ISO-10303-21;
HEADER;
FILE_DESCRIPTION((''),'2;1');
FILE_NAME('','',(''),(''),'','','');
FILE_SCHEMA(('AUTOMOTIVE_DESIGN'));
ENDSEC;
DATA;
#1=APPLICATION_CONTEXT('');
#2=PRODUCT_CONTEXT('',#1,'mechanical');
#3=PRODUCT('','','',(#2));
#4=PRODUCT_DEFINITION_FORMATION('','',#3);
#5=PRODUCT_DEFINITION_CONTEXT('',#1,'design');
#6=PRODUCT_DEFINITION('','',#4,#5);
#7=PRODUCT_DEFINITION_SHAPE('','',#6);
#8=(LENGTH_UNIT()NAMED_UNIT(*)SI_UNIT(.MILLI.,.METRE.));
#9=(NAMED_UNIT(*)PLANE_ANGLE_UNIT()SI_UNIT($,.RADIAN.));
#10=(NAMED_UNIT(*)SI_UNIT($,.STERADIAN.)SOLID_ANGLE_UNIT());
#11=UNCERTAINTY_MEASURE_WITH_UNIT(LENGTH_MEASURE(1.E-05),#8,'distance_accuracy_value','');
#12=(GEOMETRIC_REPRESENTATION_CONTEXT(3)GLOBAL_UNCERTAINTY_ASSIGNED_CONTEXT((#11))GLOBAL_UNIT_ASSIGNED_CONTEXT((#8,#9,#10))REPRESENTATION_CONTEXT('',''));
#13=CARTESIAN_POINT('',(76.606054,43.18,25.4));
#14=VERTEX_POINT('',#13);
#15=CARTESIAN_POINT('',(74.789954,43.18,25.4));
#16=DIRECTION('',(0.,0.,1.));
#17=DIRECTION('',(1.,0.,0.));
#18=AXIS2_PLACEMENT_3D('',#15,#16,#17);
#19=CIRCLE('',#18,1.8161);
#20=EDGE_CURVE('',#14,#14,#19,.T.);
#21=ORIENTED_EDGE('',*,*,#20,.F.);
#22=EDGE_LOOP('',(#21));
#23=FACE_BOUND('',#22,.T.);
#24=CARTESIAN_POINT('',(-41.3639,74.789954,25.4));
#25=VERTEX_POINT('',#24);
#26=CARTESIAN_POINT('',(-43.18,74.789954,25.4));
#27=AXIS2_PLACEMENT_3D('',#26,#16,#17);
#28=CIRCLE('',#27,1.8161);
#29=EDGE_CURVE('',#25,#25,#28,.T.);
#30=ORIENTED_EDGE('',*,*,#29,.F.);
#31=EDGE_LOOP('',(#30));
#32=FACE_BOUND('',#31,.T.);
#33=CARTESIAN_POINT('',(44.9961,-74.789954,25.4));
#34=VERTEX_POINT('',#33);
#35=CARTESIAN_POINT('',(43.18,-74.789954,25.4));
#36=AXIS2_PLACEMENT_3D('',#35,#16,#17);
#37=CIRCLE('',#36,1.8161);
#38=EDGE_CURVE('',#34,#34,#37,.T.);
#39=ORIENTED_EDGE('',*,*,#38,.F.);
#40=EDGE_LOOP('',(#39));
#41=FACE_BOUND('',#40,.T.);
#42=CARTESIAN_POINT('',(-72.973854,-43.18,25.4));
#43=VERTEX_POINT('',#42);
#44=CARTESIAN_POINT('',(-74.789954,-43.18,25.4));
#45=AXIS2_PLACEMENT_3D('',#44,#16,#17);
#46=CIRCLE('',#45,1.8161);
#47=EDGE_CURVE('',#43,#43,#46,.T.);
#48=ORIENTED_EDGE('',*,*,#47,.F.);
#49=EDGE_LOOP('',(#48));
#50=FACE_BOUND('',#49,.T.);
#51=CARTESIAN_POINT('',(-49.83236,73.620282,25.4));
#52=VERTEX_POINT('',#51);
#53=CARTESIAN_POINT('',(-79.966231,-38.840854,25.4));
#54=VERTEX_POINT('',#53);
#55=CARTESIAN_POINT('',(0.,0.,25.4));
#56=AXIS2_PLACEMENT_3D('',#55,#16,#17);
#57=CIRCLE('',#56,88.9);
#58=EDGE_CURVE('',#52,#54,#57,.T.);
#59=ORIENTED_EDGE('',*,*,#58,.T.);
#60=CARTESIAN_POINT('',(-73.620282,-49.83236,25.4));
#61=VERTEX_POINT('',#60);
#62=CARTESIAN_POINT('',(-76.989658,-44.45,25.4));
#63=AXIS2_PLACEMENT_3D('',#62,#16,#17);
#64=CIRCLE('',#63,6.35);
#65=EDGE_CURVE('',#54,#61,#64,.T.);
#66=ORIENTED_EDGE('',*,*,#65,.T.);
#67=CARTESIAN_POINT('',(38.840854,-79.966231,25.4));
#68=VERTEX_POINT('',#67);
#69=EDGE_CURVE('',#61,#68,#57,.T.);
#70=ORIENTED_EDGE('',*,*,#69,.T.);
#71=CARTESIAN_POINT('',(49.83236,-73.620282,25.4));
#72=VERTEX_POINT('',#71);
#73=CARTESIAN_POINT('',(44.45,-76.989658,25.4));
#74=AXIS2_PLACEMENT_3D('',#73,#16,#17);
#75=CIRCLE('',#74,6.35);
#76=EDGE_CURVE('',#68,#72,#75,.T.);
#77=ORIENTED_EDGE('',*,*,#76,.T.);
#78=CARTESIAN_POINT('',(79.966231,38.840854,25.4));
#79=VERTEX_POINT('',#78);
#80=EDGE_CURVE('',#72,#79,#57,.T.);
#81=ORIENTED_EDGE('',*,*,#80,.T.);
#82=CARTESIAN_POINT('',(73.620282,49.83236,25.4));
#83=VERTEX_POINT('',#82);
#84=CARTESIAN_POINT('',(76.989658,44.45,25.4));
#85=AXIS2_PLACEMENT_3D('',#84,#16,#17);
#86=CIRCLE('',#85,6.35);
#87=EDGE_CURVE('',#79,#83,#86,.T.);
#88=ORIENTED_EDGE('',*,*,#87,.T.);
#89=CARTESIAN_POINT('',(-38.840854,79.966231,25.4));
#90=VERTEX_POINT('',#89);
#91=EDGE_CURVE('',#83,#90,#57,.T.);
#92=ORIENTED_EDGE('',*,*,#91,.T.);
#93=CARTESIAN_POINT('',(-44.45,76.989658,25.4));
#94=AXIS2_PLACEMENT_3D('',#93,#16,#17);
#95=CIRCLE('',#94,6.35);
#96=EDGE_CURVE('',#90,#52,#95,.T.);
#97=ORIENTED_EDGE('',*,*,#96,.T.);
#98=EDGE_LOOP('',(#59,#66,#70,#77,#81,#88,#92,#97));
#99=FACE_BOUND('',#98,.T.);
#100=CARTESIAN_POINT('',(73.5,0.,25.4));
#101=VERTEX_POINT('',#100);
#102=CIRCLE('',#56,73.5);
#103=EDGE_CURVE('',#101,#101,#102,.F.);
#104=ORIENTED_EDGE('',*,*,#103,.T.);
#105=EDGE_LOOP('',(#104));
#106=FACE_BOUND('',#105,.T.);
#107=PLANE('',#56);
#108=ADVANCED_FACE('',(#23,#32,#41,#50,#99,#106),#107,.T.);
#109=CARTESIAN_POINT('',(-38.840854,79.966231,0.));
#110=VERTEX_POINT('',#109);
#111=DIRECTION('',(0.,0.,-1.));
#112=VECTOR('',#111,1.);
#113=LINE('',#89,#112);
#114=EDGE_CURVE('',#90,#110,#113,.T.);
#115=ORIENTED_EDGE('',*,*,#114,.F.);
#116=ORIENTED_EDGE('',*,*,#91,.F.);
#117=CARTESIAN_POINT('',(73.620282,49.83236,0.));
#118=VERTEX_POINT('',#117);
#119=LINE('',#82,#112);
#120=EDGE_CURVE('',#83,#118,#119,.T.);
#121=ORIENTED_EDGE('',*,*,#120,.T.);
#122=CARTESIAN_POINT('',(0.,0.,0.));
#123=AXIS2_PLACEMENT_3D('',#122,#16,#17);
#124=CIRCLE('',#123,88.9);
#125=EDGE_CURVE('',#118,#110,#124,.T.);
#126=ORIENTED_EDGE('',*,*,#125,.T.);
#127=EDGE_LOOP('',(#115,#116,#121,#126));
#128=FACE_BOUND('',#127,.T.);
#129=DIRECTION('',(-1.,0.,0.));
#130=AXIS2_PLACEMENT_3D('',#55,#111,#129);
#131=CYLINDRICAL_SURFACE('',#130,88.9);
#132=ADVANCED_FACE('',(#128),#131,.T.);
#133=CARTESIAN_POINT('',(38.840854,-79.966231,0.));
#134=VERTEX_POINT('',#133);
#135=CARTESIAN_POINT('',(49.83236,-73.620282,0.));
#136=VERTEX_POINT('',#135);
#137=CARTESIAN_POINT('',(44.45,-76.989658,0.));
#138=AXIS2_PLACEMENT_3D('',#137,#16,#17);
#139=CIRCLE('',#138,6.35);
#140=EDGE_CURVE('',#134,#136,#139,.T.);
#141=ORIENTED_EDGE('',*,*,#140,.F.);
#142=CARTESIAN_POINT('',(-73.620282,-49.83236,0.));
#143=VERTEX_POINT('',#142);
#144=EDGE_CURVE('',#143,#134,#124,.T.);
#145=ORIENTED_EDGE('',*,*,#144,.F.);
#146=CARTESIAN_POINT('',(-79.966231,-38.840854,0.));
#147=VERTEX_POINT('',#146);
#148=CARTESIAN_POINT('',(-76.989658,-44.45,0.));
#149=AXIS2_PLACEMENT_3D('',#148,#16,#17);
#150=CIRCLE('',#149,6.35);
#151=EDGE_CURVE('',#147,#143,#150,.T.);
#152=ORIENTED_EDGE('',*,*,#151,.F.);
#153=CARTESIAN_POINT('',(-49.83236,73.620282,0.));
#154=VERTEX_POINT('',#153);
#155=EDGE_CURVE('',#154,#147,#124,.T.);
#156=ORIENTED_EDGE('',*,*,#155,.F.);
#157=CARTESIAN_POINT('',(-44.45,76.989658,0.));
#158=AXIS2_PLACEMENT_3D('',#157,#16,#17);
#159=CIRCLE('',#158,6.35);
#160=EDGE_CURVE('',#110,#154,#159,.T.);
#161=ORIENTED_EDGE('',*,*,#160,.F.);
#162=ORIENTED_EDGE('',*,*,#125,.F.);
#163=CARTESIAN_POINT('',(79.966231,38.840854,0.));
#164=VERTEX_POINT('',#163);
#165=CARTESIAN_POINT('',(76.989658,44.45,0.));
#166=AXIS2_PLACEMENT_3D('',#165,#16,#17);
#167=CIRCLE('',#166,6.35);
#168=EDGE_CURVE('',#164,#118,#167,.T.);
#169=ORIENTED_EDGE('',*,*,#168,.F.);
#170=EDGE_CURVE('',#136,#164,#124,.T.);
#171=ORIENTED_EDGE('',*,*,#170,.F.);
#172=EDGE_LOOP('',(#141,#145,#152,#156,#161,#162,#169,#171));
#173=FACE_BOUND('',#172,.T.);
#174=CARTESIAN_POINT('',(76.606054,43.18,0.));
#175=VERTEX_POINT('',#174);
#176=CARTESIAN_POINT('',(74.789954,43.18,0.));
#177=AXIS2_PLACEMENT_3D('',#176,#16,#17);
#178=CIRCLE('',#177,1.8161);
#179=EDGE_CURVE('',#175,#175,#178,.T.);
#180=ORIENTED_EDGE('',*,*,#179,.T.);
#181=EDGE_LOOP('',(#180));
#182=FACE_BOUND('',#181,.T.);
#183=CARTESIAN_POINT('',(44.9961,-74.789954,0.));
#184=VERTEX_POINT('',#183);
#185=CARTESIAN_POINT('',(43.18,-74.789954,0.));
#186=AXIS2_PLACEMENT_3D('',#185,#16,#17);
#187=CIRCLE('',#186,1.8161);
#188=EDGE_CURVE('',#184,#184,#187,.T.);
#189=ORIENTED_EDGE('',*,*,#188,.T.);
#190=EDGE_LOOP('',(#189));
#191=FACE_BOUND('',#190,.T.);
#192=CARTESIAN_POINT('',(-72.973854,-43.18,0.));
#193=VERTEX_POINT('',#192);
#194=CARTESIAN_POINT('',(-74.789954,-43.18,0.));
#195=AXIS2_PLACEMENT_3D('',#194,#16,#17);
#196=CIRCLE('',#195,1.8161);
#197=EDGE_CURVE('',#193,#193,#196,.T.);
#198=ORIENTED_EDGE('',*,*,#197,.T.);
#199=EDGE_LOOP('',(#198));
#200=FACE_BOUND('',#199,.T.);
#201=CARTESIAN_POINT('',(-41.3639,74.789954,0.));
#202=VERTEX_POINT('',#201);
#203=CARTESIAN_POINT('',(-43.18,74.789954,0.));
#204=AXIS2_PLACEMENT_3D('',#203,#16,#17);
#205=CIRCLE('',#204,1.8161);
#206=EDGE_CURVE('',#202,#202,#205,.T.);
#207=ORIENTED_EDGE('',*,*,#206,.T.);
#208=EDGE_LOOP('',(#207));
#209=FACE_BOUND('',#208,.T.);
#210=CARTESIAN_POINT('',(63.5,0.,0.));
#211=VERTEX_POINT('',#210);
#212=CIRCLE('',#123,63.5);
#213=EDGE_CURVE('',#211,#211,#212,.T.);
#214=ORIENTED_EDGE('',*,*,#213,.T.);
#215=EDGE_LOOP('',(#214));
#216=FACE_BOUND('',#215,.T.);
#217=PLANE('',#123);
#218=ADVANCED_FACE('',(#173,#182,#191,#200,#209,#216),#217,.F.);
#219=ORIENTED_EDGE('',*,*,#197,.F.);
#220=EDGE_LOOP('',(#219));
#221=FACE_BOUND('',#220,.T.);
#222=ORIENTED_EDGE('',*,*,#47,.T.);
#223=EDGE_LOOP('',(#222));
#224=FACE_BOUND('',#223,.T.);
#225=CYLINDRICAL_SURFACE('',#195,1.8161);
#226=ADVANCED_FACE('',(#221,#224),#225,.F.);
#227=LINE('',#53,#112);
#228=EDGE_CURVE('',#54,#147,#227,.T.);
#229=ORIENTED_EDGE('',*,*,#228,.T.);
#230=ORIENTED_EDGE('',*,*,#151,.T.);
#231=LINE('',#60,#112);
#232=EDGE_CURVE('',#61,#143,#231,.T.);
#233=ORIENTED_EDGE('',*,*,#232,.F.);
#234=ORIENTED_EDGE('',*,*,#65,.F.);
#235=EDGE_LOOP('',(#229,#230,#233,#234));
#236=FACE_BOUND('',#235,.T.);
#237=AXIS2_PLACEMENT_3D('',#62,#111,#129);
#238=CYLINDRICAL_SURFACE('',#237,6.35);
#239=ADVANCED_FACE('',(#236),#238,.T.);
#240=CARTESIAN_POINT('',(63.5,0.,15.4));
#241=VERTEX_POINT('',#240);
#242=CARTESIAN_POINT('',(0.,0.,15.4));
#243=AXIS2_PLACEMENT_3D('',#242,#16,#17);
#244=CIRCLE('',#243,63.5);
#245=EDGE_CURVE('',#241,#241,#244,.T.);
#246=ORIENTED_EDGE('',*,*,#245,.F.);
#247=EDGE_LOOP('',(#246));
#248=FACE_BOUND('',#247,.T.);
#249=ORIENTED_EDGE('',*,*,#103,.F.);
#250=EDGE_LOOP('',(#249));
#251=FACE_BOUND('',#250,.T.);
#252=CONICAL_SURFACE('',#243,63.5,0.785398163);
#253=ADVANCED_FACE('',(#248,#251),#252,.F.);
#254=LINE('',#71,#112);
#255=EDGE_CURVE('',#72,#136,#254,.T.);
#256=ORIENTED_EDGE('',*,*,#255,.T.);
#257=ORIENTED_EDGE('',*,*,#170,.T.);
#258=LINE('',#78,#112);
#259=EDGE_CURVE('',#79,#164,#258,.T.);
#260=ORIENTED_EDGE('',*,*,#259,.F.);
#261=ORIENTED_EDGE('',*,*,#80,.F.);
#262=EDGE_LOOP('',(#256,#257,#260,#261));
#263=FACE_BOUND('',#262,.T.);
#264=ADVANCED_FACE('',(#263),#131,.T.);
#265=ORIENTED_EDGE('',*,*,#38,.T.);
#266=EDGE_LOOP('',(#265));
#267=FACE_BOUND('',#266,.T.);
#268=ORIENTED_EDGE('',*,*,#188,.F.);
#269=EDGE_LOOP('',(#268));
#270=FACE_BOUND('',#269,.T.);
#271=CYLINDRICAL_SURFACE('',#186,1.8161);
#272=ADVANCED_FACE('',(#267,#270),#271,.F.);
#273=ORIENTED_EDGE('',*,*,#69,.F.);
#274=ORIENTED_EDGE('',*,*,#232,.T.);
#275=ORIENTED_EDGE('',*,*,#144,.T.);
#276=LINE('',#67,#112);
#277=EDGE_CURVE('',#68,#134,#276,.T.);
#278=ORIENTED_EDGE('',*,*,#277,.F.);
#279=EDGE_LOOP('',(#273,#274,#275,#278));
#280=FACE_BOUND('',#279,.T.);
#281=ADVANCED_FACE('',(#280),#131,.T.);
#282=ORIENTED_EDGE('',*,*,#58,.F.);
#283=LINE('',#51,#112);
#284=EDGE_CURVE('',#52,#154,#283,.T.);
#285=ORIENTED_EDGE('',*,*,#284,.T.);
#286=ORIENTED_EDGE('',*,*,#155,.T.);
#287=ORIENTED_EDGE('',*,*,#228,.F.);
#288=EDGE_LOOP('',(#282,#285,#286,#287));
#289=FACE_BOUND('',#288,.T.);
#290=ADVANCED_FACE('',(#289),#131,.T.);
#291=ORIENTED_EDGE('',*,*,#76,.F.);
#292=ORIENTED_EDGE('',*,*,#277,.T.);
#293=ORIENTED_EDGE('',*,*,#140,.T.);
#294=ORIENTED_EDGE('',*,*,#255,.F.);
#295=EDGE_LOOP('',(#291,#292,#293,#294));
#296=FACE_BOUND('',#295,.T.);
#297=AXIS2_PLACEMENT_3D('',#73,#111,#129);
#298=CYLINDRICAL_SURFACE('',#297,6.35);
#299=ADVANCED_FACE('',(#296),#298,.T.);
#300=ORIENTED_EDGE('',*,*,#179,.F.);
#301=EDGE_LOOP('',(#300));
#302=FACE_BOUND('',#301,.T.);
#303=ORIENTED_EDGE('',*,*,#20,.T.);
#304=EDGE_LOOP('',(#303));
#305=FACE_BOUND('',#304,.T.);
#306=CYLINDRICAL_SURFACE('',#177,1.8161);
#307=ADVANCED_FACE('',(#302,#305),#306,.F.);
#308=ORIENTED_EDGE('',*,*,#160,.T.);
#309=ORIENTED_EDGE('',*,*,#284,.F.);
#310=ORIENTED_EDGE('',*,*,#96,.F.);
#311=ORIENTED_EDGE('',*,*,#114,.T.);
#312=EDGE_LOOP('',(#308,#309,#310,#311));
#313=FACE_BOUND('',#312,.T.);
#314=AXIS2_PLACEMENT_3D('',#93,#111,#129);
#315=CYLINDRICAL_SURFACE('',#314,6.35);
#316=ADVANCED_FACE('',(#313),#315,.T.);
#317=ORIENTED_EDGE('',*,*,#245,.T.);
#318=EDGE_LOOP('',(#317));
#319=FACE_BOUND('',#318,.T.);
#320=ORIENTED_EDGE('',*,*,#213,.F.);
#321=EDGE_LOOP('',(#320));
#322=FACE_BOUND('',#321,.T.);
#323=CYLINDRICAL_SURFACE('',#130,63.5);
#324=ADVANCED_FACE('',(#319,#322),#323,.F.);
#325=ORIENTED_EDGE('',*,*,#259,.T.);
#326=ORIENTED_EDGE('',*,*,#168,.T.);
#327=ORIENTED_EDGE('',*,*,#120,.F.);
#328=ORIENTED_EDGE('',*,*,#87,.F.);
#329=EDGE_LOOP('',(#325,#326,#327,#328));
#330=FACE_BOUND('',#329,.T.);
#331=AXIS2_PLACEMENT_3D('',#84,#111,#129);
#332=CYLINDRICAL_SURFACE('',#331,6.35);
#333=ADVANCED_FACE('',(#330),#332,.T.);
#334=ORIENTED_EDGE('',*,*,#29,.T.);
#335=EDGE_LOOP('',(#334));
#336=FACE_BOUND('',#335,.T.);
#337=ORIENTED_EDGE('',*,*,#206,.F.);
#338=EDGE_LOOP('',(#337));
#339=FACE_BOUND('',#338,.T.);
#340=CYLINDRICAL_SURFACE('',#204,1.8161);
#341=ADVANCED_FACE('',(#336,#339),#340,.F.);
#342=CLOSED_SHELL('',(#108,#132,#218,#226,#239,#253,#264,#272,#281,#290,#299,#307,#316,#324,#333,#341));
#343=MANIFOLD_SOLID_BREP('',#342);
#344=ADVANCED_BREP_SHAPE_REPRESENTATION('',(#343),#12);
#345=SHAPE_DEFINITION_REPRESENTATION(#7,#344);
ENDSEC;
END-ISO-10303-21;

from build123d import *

# Parameters (mm, degrees)
SKETCH1_R           = 63.5
BOSS_EXTRUDE1_DEPTH = 25.4
CHAMFER1_SIZE       = 10
SKETCH3_R           = 1.8161
CUT_EXTRUDE1_DEPTH  = 26.4


with BuildPart() as part:
    # Sketch1 → Boss-Extrude1 (new body)
    with BuildSketch(Plane.XY):
        with BuildLine():
            ThreePointArc((49.832360156, -73.620281725), (85.870805957, -23.00901311), (79.966230688, 38.84085413))
            ThreePointArc((79.966230688, 38.84085413), (82.48891971, 47.625), (73.620281725, 49.832360156))
            ThreePointArc((73.620281725, 49.832360156), (23.00901311, 85.870805957), (-38.84085413, 79.966230688))
            ThreePointArc((-38.84085413, 79.966230688), (-47.625, 82.48891971), (-49.832360156, 73.620281725))
            ThreePointArc((-49.832360156, 73.620281725), (-85.870805957, 23.00901311), (-79.966230688, -38.84085413))
            ThreePointArc((-79.966230688, -38.84085413), (-82.48891971, -47.625), (-73.620281725, -49.832360156))
            ThreePointArc((-73.620281725, -49.832360156), (-23.00901311, -85.870805957), (38.84085413, -79.966230688))
            ThreePointArc((38.84085413, -79.966230688), (47.625, -82.48891971), (49.832360156, -73.620281725))
        make_face()
        Circle(SKETCH1_R, mode=Mode.SUBTRACT)
    extrude(amount=BOSS_EXTRUDE1_DEPTH)

    # Chamfer1
    chamfer1_edges = [part.edges().sort_by_distance(p)[0] for p in [
        (-63.5, 0, 25.4),
    ]]
    chamfer(chamfer1_edges, length=CHAMFER1_SIZE)

    # Sketch3 → Cut-Extrude1 (cut, through all)
    with BuildSketch(Plane.XY.offset(25.4)):
        with Locations((74.789953871, 43.18)):
            Circle(SKETCH3_R)
        with Locations((43.18, -74.789953871)):
            Circle(SKETCH3_R)
        with Locations((-74.789953871, -43.18)):
            Circle(SKETCH3_R)
        with Locations((-43.18, 74.789953871)):
            Circle(SKETCH3_R)
    extrude(amount=-CUT_EXTRUDE1_DEPTH, mode=Mode.SUBTRACT)


solid = part.part
